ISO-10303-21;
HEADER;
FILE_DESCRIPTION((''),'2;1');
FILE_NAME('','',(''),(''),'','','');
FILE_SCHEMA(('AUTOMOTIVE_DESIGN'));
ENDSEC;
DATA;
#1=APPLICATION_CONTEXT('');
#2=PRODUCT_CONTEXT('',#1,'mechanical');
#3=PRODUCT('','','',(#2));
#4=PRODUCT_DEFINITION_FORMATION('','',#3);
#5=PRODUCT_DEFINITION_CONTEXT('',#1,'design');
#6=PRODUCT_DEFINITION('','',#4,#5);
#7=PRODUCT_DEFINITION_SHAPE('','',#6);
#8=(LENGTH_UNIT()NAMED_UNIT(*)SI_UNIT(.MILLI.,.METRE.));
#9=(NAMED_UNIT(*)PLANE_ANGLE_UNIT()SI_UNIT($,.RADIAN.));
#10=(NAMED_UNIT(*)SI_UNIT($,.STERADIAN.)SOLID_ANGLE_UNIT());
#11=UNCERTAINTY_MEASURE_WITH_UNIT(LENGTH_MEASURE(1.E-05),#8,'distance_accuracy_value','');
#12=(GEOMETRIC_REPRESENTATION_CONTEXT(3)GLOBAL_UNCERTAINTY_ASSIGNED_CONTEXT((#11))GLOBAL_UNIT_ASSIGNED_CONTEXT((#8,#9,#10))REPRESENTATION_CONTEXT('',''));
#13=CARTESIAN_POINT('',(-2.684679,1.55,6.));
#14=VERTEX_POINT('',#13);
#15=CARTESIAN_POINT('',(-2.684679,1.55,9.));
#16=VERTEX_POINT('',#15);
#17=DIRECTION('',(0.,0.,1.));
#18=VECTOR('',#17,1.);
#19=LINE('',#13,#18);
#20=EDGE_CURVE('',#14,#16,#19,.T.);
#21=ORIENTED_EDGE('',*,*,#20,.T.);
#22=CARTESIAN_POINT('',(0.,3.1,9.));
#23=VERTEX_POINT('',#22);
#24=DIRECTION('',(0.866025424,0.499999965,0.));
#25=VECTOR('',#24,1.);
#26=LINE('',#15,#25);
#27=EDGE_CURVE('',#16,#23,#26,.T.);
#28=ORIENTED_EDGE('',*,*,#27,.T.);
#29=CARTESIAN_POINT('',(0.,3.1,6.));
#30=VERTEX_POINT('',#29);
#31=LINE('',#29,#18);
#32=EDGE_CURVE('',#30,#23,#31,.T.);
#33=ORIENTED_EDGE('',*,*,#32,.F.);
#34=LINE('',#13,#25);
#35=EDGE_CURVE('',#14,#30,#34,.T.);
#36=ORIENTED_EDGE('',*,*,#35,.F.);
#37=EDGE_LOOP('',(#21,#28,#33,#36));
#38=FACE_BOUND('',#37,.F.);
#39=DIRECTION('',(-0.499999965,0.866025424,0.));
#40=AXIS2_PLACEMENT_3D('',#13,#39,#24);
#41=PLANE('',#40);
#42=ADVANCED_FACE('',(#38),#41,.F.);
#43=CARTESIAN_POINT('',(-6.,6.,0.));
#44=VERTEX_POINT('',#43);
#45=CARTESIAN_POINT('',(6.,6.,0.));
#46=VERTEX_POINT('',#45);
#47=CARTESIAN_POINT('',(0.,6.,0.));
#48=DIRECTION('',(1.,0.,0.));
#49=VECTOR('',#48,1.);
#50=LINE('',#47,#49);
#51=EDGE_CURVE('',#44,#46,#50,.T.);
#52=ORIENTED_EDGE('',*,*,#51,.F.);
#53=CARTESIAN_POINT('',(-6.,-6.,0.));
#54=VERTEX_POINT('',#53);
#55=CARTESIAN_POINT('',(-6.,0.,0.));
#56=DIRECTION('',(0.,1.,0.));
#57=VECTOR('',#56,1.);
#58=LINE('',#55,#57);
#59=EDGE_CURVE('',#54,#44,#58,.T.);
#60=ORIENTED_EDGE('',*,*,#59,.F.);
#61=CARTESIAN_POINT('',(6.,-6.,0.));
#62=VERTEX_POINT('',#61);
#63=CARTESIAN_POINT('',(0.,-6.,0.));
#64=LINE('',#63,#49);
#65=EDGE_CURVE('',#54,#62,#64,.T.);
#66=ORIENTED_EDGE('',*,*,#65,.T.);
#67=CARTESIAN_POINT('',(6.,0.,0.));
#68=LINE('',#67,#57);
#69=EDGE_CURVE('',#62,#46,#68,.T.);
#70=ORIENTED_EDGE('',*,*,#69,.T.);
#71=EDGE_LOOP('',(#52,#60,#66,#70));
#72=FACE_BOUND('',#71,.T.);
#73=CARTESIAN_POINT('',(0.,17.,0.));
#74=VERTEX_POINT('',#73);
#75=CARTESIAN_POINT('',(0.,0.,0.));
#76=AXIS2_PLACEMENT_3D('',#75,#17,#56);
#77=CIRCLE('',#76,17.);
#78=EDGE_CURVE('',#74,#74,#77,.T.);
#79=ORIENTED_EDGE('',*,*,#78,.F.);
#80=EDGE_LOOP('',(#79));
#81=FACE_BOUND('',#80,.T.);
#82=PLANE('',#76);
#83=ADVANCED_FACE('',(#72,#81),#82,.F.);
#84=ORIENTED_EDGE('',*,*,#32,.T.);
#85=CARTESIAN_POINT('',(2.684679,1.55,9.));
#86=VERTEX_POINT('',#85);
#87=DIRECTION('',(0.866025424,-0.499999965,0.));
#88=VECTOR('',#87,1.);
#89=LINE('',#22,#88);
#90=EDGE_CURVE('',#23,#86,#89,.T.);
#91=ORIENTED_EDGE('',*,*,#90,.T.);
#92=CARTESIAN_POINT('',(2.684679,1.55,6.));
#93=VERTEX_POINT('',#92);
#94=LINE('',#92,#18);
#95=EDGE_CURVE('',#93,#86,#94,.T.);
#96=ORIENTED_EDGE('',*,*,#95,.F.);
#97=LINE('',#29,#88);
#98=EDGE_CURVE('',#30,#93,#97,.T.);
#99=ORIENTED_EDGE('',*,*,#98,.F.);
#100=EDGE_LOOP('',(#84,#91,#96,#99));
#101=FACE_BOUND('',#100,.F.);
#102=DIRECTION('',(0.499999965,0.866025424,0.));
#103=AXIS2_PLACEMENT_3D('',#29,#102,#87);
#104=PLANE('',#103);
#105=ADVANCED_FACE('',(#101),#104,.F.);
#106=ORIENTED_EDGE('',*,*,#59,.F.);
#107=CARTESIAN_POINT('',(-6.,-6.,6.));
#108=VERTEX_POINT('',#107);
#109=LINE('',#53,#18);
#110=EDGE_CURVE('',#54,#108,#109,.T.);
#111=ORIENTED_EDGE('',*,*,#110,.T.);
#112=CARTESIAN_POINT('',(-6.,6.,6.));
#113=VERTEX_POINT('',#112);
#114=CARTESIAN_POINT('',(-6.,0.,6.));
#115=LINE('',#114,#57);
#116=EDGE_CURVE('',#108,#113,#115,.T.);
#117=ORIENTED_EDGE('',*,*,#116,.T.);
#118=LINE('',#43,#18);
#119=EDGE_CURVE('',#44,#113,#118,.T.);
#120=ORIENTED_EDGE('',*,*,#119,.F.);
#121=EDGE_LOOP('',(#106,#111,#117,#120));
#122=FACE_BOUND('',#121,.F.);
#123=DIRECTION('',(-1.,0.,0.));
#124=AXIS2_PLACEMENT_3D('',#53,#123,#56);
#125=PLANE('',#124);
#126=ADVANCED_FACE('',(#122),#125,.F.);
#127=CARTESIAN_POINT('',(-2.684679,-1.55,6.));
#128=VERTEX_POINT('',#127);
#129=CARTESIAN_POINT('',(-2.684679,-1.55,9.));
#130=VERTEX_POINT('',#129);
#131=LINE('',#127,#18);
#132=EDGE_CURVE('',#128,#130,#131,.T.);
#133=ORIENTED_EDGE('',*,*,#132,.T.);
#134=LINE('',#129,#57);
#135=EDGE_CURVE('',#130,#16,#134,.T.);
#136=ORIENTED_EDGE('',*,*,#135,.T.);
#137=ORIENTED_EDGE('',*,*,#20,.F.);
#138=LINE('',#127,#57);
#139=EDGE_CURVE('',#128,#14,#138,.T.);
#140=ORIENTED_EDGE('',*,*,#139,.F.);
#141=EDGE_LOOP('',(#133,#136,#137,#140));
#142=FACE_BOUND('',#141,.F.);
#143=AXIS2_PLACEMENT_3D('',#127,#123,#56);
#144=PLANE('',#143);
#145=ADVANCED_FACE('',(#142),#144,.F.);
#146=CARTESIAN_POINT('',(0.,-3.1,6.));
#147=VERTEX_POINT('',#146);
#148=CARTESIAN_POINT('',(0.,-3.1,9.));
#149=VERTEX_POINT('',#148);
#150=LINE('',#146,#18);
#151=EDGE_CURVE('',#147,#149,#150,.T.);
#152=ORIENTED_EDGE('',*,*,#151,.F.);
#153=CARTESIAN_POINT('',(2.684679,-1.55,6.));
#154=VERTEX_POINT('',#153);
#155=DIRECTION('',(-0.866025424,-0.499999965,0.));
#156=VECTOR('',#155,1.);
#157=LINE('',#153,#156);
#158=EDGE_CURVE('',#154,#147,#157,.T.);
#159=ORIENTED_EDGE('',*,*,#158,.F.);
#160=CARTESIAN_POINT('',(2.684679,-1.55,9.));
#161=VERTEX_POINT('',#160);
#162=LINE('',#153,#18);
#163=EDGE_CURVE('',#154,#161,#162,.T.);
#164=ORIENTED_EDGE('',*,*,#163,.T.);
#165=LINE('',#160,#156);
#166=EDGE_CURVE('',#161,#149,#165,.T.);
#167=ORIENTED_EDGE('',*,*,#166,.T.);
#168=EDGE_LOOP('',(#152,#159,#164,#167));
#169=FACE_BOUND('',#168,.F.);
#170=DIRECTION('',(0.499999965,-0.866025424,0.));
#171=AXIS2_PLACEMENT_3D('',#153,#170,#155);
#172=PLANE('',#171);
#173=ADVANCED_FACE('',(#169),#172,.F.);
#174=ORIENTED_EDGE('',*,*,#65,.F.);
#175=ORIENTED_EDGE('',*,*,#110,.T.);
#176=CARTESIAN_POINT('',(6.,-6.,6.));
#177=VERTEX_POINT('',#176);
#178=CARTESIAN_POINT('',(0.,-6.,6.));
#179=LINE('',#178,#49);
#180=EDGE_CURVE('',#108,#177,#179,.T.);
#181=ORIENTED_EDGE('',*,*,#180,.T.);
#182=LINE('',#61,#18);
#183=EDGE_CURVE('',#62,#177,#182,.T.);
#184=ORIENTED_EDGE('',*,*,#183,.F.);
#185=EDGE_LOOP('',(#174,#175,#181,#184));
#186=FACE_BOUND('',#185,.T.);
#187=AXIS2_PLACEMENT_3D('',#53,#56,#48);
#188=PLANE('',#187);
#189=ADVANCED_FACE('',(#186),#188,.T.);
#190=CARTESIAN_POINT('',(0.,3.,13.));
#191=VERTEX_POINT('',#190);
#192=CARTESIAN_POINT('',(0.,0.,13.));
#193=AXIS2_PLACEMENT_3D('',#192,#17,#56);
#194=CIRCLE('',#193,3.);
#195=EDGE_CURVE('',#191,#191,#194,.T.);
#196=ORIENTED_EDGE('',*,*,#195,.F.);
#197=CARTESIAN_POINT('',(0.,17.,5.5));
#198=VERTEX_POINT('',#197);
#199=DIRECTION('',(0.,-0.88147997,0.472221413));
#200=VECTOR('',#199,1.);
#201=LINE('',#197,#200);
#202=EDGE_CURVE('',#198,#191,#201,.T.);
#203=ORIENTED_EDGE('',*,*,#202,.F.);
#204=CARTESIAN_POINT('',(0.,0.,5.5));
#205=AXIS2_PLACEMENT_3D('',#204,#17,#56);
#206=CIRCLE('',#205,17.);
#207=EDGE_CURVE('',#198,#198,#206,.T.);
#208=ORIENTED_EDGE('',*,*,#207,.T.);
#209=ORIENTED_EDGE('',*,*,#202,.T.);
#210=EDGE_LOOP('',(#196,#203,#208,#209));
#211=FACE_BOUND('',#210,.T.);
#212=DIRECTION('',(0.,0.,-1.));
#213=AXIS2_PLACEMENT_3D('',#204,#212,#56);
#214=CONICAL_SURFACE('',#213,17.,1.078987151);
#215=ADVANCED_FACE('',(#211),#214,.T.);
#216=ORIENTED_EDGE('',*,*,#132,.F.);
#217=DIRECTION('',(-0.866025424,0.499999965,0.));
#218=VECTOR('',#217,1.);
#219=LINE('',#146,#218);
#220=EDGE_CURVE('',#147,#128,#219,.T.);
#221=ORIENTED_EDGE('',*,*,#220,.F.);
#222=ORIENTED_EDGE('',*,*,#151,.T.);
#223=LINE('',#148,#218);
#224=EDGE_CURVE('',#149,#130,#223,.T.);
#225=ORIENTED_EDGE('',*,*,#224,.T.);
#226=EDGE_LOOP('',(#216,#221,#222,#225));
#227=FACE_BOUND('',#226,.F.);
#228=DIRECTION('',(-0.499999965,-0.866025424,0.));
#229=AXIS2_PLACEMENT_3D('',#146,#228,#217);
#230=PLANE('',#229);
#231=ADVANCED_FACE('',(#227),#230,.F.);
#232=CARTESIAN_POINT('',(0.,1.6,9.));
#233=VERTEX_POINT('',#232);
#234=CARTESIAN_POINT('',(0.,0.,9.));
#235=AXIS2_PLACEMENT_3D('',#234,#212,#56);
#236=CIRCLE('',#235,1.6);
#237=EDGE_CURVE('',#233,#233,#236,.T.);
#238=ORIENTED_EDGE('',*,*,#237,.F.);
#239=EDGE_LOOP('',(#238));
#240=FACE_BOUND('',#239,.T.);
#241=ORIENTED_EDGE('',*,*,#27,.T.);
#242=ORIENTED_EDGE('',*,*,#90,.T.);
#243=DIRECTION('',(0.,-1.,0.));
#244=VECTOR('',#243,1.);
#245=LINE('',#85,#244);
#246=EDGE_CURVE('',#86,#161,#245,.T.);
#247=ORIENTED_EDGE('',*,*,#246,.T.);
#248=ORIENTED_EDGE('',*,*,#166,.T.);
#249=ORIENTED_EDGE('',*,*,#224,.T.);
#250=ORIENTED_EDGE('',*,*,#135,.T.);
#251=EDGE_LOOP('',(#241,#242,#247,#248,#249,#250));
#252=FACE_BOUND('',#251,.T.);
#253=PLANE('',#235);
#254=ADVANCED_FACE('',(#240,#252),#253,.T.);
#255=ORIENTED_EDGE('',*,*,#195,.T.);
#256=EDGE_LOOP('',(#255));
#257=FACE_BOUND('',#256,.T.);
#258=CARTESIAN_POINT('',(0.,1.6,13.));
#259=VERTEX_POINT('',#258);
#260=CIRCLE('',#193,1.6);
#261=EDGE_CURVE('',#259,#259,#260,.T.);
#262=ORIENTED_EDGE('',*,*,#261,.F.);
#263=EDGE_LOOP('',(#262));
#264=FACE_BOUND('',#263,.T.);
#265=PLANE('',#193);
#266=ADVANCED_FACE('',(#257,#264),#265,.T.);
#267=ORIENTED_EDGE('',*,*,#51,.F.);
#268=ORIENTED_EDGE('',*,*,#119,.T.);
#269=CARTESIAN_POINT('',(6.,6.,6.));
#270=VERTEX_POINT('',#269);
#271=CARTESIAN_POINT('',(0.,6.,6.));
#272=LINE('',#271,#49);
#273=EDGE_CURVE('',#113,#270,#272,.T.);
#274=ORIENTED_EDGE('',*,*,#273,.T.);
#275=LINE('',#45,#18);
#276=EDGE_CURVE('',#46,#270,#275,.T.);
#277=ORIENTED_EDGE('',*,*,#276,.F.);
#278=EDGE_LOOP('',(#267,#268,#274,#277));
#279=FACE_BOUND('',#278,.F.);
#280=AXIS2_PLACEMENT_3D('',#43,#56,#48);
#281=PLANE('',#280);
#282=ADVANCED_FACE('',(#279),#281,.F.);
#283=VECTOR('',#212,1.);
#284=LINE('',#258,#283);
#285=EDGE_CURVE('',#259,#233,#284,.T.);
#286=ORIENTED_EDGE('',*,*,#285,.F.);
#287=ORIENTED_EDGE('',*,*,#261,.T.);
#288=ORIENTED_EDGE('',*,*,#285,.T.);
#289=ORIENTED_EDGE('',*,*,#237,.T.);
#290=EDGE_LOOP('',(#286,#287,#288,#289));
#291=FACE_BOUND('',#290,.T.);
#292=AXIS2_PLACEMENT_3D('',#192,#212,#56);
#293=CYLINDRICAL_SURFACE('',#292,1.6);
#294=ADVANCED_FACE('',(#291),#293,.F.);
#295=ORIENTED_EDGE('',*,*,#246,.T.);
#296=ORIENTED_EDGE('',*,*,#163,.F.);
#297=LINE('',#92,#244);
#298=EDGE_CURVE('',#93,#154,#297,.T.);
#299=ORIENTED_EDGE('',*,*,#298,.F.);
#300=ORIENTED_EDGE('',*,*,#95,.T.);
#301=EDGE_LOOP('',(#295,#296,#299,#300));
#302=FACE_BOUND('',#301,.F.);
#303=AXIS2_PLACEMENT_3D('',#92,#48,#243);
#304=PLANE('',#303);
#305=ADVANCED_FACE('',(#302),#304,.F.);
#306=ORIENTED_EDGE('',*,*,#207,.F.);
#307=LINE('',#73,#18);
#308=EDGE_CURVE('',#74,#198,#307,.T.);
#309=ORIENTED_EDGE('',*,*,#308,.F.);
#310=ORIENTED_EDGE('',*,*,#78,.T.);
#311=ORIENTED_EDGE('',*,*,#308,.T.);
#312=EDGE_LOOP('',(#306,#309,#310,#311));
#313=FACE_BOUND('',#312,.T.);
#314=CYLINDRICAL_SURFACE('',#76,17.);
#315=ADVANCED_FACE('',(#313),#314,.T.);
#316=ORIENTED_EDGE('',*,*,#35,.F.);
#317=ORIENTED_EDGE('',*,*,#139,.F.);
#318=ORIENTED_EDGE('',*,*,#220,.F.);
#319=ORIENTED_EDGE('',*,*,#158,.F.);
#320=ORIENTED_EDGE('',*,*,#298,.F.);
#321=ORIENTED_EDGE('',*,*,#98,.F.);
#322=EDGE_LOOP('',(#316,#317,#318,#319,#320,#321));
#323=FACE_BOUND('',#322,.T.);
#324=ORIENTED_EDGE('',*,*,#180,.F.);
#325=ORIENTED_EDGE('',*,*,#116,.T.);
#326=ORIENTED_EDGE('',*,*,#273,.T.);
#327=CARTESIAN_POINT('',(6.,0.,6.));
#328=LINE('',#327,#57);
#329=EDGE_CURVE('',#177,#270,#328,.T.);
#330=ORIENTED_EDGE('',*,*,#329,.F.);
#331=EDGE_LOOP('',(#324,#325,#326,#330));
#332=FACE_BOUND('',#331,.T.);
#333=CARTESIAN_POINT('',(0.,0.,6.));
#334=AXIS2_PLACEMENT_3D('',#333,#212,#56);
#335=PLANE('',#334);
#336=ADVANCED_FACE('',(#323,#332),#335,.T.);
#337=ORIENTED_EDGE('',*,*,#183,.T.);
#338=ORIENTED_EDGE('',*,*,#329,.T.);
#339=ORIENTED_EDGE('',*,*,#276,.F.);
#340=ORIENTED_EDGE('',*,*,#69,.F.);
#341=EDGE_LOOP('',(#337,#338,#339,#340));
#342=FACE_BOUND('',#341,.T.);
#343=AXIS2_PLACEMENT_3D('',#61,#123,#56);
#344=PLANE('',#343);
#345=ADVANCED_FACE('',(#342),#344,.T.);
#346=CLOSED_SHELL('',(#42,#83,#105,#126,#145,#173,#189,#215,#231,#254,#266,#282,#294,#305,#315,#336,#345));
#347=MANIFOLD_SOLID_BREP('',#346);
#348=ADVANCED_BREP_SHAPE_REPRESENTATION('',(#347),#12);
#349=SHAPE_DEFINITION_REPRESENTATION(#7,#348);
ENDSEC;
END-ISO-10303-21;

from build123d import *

# Parameters (mm, degrees)
SKETCH_W        = 12
SKETCH_H        = 12
POCKET_DEPTH    = 6
POCKET001_DEPTH = 3


with BuildPart() as part:
    # Sketch002 → Revolution (revolve)
    with BuildSketch(Plane.YZ):
        Polygon((1.6, 13), (1.6, 0), (17, 0), (17, 5.5), (3, 13), align=None)
    revolve(axis=Axis((0, 0, 0), (0, 0, 1)))

    # Sketch (on Face2 of Revolution) → Pocket (cut)
    with BuildSketch(Plane.YX):
        Rectangle(SKETCH_W, SKETCH_H)
    extrude(amount=-POCKET_DEPTH, mode=Mode.SUBTRACT)

    # Sketch003 (on Face2 of Pocket) → Pocket001 (cut)
    with BuildSketch(Plane.YX.offset(-6)):
        Polygon((3.1, 0), (1.55, 2.684679), (-1.55, 2.684679), (-3.1, 0), (-1.55, -2.684679), (1.55, -2.684679), align=None)
    extrude(amount=-POCKET001_DEPTH, mode=Mode.SUBTRACT)


solid = part.part
